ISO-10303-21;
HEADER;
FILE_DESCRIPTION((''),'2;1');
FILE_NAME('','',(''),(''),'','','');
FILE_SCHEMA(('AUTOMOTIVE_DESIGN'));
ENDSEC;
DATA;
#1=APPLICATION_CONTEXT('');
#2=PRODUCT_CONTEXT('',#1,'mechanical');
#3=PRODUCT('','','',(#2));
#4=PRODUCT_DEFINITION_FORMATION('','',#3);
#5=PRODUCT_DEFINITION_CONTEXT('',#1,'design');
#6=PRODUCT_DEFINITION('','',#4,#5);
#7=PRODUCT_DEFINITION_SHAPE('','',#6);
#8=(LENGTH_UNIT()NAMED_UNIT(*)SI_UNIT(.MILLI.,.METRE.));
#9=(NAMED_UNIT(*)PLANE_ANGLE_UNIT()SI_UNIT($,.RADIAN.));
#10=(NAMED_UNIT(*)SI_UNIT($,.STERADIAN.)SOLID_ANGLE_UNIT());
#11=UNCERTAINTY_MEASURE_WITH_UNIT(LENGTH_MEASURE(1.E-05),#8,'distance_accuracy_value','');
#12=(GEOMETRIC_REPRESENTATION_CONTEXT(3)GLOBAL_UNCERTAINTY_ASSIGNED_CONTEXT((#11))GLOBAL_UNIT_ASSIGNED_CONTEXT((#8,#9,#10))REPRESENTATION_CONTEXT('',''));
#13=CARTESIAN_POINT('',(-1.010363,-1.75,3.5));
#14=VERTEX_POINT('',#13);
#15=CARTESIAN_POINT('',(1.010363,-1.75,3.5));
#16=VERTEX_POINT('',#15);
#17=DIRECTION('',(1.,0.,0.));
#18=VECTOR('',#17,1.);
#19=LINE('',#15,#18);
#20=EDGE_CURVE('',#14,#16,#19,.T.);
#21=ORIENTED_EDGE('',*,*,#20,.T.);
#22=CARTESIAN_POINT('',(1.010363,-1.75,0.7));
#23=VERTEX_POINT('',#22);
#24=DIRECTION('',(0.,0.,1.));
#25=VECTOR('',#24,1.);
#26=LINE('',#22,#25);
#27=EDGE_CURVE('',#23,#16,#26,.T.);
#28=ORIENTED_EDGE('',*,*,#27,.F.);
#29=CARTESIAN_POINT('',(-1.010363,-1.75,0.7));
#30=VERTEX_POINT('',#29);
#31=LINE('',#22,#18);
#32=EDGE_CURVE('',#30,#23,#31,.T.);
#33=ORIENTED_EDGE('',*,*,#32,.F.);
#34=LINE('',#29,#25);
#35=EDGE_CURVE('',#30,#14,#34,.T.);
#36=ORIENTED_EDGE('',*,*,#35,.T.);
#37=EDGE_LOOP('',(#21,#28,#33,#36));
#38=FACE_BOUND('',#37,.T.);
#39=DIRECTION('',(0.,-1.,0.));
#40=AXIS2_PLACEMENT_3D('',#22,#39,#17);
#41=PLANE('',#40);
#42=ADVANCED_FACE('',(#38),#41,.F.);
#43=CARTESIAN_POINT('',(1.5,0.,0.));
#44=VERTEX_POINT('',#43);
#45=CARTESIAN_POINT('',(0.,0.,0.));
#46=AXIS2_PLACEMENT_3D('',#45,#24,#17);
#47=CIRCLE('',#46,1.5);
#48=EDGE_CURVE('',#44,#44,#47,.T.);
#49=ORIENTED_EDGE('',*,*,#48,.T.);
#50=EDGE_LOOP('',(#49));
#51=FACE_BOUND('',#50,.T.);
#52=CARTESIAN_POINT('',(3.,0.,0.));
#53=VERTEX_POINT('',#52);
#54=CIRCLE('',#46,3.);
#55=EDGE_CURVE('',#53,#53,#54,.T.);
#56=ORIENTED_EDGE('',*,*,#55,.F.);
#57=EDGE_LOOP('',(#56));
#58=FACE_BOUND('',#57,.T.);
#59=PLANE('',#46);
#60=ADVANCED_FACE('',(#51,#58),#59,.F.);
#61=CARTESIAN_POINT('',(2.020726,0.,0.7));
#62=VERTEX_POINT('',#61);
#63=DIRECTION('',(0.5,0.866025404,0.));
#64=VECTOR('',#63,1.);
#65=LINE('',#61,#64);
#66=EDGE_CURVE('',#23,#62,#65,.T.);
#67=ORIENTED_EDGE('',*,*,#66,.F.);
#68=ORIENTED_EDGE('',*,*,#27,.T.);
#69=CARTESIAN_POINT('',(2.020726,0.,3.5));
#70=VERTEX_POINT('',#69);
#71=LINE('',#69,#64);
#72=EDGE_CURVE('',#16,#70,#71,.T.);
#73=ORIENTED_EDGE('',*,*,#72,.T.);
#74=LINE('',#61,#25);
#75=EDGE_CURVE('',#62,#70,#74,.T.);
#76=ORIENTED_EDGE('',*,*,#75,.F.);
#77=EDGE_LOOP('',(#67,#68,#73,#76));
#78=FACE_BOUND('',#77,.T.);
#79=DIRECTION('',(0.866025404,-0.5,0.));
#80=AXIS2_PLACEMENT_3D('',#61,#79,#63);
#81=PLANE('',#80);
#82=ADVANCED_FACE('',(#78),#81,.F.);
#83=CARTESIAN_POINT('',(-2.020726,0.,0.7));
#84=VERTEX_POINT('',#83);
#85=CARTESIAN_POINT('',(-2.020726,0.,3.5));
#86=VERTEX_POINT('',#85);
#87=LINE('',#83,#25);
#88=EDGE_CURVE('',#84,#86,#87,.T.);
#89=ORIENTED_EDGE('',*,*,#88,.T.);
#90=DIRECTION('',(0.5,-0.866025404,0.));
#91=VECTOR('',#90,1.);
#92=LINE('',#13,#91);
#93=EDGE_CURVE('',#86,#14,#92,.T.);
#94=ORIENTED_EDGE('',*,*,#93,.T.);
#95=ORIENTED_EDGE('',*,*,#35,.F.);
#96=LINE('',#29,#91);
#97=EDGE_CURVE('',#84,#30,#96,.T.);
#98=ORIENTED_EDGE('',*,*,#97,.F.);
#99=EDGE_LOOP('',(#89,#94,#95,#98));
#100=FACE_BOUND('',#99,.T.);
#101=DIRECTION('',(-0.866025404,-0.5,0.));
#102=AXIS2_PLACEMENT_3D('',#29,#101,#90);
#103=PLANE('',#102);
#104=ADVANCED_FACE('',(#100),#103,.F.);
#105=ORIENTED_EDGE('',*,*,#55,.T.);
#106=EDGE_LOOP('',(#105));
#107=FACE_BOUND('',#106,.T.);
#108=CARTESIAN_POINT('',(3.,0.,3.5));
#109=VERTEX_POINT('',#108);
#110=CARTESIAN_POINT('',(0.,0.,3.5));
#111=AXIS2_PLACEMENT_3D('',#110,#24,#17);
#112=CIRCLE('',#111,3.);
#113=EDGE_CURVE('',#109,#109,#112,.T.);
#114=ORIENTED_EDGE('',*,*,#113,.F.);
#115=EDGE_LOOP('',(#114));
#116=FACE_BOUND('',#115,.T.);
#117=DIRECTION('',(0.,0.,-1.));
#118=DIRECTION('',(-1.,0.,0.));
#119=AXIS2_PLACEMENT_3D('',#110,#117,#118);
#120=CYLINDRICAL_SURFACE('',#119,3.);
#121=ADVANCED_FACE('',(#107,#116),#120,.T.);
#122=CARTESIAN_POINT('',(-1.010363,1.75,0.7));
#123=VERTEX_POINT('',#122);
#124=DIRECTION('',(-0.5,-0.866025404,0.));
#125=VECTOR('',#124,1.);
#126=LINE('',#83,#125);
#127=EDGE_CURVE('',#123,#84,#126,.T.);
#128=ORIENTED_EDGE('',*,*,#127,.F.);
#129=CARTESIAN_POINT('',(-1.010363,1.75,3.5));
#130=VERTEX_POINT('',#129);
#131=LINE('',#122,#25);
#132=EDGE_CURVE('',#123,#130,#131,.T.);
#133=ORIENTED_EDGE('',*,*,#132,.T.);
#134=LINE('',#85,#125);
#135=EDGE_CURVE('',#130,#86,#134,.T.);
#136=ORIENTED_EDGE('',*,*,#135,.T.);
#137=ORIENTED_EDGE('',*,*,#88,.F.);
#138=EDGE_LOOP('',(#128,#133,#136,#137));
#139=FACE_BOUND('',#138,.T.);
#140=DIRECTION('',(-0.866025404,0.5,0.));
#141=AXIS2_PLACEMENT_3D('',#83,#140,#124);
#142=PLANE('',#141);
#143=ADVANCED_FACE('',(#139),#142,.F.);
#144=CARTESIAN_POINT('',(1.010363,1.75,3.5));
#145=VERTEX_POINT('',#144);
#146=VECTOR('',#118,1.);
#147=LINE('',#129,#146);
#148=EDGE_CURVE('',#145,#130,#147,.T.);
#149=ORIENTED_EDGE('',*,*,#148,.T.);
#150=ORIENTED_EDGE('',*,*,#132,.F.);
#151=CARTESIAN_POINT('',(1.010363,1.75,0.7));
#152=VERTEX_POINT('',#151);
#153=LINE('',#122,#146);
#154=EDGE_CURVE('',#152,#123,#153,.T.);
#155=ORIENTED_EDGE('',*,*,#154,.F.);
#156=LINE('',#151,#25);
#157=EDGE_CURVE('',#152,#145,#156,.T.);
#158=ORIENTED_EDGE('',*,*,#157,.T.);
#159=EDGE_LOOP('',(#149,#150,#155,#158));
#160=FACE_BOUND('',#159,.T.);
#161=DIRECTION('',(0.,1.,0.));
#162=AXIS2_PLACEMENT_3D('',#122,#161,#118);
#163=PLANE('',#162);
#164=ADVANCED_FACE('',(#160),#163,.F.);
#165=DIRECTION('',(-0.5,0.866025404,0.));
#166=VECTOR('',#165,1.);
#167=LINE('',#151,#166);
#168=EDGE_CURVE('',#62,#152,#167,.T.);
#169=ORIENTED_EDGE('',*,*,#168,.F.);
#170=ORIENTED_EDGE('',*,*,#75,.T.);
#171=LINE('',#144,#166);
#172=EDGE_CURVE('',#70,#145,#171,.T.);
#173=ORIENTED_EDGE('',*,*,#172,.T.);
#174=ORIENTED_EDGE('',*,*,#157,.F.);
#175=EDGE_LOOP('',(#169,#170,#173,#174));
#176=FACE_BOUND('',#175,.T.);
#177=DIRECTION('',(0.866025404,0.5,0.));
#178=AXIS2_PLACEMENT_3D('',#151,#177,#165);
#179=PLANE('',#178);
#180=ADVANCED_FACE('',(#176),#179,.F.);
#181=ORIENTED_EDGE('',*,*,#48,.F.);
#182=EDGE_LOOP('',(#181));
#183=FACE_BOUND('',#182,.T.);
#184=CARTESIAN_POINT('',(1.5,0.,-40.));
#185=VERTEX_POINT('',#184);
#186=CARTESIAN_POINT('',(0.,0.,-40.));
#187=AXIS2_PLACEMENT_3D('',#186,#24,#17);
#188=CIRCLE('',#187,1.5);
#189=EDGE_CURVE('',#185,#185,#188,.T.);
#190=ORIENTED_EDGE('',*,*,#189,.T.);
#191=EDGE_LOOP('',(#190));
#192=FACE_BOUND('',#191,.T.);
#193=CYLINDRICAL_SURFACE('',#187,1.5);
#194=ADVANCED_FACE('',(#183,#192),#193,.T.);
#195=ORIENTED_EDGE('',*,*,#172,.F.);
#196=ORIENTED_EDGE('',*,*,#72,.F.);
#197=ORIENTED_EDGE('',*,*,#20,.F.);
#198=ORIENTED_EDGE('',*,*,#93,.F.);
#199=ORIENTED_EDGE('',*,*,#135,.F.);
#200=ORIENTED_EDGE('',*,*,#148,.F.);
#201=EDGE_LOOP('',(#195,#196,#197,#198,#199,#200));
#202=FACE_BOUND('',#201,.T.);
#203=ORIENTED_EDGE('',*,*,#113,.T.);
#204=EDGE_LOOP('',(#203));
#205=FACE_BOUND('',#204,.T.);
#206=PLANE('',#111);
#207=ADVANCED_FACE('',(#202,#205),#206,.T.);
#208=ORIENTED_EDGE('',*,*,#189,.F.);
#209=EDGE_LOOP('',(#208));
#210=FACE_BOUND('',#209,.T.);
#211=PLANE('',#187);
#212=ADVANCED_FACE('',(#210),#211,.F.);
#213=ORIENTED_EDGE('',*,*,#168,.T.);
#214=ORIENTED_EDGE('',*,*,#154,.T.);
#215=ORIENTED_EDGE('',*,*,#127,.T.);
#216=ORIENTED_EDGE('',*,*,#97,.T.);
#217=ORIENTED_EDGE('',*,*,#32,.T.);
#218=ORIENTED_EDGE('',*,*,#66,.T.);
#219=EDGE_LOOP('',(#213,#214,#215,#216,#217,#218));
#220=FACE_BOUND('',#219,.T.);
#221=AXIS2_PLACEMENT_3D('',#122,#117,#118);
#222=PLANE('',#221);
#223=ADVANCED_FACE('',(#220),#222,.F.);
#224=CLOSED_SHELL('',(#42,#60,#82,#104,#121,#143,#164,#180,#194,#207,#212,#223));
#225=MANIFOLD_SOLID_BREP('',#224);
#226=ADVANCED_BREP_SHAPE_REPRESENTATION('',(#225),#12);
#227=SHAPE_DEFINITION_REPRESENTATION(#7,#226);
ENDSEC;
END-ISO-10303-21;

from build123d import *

# Parameters (mm, degrees)
SKETCH1_R                   = 3
HEAD_BOSS_EXTRUDE1_DEPTH    = 3.5
HEAD_HEX_CUT_EXTRUDE1_DEPTH = 2.8
SKETCH2_R                   = 1.5
SCREW_BOSS_EXTRUDE2_DEPTH   = 40


with BuildPart() as part:
    # Sketch1 → Head Boss-Extrude1 (new body)
    with BuildSketch(Plane.XY):
        Circle(SKETCH1_R)
    extrude(amount=HEAD_BOSS_EXTRUDE1_DEPTH)

    # Sketch3 → Head Hex Cut-Extrude1 (cut)
    with BuildSketch(Plane.XY.offset(3.5)):
        Polygon((-1.010362971, 1.75), (1.010362971, 1.75), (2.020725942, 0), (1.010362971, -1.75), (-1.010362971, -1.75), (-2.020725942, 0), align=None)
    extrude(amount=-HEAD_HEX_CUT_EXTRUDE1_DEPTH, mode=Mode.SUBTRACT)

    # Sketch2 → Screw Boss-Extrude2 (add)
    with BuildSketch(Plane.XY):
        Circle(SKETCH2_R)
    extrude(amount=-SCREW_BOSS_EXTRUDE2_DEPTH)


solid = part.part
